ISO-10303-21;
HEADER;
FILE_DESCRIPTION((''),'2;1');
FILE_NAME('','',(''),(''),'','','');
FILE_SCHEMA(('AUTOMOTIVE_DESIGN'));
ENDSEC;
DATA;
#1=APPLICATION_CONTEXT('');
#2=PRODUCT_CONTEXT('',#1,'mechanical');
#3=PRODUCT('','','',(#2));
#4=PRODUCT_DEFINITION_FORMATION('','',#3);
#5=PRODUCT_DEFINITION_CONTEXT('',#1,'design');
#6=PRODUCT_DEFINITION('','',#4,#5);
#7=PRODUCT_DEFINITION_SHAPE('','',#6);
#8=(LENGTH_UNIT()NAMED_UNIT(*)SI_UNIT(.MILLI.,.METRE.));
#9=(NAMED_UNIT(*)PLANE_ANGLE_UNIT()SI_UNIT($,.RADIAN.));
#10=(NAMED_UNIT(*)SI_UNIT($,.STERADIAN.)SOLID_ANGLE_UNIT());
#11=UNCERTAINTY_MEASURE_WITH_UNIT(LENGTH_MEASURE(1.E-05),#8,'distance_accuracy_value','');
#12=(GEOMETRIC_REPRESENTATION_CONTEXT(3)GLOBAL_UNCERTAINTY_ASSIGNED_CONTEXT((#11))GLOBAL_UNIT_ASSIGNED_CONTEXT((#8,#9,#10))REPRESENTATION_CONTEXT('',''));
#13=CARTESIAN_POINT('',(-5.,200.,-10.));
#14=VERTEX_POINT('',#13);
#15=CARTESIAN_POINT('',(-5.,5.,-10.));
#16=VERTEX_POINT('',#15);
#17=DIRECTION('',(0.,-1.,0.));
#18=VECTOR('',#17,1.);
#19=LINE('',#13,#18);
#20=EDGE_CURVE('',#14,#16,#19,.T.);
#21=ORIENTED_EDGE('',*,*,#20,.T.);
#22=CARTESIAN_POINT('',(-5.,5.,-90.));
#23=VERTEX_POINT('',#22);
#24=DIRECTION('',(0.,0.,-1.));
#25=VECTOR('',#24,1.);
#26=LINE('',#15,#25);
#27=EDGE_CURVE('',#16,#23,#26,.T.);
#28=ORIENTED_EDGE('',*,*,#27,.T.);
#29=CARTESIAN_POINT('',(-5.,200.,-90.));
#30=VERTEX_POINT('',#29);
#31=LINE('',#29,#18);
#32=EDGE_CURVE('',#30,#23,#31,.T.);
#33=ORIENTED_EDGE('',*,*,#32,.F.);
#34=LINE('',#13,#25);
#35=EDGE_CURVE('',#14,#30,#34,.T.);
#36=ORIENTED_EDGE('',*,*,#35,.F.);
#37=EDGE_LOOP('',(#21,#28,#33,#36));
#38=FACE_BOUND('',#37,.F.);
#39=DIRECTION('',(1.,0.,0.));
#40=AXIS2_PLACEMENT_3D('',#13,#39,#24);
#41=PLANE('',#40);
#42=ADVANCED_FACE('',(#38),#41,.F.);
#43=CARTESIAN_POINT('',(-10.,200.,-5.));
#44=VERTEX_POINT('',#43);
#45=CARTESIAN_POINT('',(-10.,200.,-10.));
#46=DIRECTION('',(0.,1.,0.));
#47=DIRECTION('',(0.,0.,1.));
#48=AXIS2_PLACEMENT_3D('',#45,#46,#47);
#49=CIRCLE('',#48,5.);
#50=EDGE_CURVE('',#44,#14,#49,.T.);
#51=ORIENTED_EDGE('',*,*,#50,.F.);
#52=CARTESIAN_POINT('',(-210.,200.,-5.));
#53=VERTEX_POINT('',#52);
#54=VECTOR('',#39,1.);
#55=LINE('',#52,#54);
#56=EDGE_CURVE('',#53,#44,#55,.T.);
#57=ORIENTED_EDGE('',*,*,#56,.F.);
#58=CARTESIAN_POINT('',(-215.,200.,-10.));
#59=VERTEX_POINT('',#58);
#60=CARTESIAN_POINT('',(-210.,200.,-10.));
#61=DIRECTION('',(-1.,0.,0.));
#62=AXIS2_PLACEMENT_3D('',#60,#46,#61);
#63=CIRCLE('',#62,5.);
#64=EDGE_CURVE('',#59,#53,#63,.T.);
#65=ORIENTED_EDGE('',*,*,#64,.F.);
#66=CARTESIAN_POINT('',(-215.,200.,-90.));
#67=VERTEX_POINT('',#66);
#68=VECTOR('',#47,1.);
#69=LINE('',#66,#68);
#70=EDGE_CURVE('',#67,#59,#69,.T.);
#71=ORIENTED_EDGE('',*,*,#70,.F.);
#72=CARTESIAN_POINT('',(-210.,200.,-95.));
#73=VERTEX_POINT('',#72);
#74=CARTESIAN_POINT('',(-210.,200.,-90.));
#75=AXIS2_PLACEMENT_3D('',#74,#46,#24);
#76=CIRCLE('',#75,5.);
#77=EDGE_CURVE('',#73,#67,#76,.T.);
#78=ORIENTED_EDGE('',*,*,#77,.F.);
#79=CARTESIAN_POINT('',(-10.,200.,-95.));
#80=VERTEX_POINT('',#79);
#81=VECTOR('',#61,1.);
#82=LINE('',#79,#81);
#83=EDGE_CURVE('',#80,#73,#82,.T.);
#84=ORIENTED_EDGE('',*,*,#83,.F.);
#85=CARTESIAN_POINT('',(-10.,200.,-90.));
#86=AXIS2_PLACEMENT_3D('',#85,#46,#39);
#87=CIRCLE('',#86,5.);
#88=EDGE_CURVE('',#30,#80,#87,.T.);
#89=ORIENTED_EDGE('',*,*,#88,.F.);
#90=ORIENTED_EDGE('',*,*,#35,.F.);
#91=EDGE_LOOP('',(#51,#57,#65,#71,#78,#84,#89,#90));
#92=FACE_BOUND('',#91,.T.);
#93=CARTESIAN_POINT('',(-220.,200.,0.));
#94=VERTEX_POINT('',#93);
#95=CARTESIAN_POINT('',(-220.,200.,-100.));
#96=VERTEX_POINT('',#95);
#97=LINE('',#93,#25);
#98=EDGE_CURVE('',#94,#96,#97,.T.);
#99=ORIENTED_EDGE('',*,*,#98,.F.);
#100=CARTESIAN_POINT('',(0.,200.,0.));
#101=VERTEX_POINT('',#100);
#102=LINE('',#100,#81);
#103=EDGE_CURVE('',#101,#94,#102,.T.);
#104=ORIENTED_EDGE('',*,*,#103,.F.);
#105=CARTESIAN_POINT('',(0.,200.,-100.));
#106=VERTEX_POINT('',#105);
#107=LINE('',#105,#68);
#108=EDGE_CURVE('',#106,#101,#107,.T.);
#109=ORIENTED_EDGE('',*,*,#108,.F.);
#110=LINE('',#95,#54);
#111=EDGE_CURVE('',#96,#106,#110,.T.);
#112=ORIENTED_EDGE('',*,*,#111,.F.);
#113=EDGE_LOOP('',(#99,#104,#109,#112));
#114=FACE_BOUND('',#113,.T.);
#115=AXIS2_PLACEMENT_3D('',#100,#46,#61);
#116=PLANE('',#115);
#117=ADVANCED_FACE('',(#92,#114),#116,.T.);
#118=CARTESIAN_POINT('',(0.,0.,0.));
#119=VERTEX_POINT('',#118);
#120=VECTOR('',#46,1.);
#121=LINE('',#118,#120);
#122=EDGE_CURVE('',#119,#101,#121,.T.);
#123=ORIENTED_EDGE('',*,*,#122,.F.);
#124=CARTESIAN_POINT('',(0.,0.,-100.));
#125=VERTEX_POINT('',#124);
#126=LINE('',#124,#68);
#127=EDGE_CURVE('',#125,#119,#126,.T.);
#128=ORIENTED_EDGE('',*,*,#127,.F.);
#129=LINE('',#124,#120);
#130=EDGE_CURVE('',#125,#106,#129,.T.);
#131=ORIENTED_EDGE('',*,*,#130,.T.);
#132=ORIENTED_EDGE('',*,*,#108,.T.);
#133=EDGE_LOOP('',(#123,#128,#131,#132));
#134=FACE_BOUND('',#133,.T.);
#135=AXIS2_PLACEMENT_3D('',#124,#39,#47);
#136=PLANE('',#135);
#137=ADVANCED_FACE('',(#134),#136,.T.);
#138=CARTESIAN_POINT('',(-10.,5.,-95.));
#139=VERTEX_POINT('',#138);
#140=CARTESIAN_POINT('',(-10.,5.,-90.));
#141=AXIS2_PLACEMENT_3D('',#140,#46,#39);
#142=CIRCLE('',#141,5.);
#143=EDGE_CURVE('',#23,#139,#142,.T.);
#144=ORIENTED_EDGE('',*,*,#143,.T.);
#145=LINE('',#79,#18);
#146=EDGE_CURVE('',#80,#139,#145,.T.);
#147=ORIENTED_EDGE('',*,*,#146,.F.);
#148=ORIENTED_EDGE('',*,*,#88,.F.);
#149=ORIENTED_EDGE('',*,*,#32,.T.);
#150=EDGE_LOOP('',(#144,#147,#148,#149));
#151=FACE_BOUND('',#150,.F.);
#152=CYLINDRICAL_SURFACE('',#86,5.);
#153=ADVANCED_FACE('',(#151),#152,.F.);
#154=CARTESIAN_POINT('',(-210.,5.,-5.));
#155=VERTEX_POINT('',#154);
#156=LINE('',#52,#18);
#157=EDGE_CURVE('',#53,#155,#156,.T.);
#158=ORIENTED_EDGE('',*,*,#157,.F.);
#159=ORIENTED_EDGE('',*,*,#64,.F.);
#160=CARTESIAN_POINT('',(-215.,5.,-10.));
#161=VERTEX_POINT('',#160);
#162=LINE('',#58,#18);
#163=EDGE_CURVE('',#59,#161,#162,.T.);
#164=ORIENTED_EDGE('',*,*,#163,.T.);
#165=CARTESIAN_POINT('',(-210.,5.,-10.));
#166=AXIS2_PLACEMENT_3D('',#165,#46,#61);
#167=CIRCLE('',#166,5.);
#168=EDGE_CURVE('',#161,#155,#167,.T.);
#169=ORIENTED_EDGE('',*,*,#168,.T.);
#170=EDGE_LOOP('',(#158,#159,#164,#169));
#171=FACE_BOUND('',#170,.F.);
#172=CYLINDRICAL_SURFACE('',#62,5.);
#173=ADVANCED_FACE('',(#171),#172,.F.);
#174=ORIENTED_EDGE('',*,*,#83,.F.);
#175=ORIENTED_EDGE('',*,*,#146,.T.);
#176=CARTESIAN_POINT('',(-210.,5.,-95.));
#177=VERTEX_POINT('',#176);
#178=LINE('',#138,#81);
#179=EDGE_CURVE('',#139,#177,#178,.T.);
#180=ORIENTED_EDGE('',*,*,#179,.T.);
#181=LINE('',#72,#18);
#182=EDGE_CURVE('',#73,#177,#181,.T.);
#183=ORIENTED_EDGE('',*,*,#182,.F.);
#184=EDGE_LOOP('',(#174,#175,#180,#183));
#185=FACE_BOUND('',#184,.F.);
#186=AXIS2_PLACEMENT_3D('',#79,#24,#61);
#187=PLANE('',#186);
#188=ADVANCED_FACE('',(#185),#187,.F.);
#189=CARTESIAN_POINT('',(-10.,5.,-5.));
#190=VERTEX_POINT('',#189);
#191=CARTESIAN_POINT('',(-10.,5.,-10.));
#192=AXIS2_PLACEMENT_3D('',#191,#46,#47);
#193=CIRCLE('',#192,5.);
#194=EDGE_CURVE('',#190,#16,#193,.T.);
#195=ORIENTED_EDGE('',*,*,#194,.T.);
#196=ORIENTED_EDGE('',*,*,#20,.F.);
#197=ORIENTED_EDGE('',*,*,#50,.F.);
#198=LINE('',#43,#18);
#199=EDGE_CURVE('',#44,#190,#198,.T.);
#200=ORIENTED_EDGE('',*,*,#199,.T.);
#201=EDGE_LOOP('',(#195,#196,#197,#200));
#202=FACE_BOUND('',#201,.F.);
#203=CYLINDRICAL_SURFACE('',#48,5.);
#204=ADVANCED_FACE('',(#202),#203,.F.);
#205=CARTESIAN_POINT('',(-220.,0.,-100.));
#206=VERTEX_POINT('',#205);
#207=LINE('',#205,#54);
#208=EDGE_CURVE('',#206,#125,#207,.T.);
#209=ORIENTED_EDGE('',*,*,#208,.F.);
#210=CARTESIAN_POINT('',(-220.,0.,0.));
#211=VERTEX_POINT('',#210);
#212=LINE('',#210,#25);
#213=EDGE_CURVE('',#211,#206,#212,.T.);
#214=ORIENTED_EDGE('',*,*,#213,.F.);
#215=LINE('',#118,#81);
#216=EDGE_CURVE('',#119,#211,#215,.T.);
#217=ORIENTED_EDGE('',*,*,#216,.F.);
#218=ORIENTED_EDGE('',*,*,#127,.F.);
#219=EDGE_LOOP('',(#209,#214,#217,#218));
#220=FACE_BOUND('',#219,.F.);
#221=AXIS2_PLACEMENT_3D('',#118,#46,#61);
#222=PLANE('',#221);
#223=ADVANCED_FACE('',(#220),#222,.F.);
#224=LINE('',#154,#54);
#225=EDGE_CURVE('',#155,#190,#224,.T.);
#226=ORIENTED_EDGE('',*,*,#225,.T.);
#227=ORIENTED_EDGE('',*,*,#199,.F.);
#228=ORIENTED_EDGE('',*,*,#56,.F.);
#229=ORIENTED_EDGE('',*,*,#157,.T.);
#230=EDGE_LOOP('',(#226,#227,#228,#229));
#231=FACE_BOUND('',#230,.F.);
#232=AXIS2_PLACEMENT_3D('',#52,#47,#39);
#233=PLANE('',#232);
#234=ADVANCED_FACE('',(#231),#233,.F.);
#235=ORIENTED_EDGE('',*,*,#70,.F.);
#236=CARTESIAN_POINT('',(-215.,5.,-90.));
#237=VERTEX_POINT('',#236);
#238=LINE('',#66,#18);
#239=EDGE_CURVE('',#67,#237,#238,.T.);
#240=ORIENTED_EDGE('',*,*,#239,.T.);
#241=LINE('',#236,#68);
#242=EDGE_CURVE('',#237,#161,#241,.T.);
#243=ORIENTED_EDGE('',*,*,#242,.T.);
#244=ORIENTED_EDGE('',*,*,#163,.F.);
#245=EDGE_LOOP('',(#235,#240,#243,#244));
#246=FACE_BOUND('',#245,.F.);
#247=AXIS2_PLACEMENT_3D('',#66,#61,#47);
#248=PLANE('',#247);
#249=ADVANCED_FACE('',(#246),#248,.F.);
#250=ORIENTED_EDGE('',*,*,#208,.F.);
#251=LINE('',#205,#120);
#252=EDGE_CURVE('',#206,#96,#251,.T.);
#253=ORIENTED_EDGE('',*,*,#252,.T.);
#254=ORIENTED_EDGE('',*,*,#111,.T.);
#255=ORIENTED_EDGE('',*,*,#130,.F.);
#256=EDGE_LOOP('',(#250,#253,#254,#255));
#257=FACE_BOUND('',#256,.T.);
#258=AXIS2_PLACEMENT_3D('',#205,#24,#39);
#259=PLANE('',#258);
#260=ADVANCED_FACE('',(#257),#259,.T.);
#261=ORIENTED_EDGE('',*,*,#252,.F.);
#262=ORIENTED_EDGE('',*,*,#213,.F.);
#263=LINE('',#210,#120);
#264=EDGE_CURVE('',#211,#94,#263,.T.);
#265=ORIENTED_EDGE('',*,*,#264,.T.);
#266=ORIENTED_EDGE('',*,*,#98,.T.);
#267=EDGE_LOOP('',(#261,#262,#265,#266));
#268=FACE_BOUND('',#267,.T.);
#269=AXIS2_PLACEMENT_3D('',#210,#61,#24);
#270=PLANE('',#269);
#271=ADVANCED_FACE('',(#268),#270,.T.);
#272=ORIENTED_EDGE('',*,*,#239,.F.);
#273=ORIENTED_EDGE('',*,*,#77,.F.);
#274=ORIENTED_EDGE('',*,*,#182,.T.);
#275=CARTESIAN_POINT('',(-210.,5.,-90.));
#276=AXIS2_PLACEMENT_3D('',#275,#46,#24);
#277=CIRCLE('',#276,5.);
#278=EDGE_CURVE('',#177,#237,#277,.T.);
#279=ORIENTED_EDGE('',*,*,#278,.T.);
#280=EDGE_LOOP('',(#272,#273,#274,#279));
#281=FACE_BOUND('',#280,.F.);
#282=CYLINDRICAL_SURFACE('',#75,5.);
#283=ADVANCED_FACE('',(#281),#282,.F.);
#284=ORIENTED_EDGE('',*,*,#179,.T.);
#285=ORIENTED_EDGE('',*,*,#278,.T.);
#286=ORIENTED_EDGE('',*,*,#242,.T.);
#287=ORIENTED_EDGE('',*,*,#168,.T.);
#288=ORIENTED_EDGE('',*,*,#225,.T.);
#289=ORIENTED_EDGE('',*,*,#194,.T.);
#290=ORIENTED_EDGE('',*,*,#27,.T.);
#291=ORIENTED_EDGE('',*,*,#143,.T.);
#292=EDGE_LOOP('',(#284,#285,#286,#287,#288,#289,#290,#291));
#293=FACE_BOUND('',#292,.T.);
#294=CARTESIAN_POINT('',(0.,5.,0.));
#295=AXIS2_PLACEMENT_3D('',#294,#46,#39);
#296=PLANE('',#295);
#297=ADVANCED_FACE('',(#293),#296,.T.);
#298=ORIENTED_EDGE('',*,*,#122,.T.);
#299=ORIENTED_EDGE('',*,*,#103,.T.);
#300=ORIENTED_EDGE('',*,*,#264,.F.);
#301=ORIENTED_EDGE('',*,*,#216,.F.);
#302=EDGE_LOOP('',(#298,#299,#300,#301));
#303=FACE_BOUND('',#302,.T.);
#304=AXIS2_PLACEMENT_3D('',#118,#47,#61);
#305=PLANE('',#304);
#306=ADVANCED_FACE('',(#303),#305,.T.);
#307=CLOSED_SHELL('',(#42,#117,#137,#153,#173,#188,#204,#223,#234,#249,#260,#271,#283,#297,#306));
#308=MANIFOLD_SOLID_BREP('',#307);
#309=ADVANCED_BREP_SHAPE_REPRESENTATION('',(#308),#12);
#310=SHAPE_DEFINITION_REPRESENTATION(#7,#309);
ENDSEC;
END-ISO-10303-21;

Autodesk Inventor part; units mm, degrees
ref_plane "YZ Plane" through (0, 0, 0) normal (1, 0, 0) x (0, 1, 0)
ref_plane "XZ Plane" through (0, 0, 0) normal (0, 1, 0) x (-1, 0, 0)
ref_plane "XY Plane" through (0, 0, 0) normal (0, 0, 1) x (1, 0, 0)
sketch "Sketch1" plane through (0, 0, 0) normal (0, 1, 0) x (-1, 0, 0)
  line L0 (0, 0) -> (220, 0)
  line L1 (220, 0) -> (220, -100)
  line L2 (220, -100) -> (0, -100)
  line L3 (0, -100) -> (0, 0)
  dimension "d0" = 220
  dimension "d1" = 100
extrude "Extrusion1" add sketch "Sketch1" along normal blind 200
sketch "Sketch2" plane through (0, 200, 0) normal (0, 1, 0) x (1, 0, 0)
  line L0 (-210, 5) -> (-10, 5)
  line L1 (-5, 10) -> (-5, 90)
  line L2 (-10, 95) -> (-210, 95)
  line L3 (-215, 90) -> (-215, 10)
  line L4 (-220, 100) -> (-220, 0) projected
  line L5 (0, 0) -> (0, 100) projected
  arc A0 (-210, 95) -> (-215, 90) centre (-210, 90) ccw
  arc A1 (-5, 90) -> (-10, 95) centre (-10, 90) ccw
  arc A2 (-10, 5) -> (-5, 10) centre (-10, 10) ccw
  arc A3 (-215, 10) -> (-210, 5) centre (-210, 10) ccw
  point P0 (-215, 5)
  point P1 (-5, 95)
  point P2 (-5, 5)
  point P3 (-215, 95)
  dimension "d4" = 5
  dimension "d5" = 5
  dimension "d6" = 5
  dimension "d7" = 5
  dimension "d8" = 5
extrude "Extrusion2" cut sketch "Sketch2" against normal blind 195
properties part number "balde"
